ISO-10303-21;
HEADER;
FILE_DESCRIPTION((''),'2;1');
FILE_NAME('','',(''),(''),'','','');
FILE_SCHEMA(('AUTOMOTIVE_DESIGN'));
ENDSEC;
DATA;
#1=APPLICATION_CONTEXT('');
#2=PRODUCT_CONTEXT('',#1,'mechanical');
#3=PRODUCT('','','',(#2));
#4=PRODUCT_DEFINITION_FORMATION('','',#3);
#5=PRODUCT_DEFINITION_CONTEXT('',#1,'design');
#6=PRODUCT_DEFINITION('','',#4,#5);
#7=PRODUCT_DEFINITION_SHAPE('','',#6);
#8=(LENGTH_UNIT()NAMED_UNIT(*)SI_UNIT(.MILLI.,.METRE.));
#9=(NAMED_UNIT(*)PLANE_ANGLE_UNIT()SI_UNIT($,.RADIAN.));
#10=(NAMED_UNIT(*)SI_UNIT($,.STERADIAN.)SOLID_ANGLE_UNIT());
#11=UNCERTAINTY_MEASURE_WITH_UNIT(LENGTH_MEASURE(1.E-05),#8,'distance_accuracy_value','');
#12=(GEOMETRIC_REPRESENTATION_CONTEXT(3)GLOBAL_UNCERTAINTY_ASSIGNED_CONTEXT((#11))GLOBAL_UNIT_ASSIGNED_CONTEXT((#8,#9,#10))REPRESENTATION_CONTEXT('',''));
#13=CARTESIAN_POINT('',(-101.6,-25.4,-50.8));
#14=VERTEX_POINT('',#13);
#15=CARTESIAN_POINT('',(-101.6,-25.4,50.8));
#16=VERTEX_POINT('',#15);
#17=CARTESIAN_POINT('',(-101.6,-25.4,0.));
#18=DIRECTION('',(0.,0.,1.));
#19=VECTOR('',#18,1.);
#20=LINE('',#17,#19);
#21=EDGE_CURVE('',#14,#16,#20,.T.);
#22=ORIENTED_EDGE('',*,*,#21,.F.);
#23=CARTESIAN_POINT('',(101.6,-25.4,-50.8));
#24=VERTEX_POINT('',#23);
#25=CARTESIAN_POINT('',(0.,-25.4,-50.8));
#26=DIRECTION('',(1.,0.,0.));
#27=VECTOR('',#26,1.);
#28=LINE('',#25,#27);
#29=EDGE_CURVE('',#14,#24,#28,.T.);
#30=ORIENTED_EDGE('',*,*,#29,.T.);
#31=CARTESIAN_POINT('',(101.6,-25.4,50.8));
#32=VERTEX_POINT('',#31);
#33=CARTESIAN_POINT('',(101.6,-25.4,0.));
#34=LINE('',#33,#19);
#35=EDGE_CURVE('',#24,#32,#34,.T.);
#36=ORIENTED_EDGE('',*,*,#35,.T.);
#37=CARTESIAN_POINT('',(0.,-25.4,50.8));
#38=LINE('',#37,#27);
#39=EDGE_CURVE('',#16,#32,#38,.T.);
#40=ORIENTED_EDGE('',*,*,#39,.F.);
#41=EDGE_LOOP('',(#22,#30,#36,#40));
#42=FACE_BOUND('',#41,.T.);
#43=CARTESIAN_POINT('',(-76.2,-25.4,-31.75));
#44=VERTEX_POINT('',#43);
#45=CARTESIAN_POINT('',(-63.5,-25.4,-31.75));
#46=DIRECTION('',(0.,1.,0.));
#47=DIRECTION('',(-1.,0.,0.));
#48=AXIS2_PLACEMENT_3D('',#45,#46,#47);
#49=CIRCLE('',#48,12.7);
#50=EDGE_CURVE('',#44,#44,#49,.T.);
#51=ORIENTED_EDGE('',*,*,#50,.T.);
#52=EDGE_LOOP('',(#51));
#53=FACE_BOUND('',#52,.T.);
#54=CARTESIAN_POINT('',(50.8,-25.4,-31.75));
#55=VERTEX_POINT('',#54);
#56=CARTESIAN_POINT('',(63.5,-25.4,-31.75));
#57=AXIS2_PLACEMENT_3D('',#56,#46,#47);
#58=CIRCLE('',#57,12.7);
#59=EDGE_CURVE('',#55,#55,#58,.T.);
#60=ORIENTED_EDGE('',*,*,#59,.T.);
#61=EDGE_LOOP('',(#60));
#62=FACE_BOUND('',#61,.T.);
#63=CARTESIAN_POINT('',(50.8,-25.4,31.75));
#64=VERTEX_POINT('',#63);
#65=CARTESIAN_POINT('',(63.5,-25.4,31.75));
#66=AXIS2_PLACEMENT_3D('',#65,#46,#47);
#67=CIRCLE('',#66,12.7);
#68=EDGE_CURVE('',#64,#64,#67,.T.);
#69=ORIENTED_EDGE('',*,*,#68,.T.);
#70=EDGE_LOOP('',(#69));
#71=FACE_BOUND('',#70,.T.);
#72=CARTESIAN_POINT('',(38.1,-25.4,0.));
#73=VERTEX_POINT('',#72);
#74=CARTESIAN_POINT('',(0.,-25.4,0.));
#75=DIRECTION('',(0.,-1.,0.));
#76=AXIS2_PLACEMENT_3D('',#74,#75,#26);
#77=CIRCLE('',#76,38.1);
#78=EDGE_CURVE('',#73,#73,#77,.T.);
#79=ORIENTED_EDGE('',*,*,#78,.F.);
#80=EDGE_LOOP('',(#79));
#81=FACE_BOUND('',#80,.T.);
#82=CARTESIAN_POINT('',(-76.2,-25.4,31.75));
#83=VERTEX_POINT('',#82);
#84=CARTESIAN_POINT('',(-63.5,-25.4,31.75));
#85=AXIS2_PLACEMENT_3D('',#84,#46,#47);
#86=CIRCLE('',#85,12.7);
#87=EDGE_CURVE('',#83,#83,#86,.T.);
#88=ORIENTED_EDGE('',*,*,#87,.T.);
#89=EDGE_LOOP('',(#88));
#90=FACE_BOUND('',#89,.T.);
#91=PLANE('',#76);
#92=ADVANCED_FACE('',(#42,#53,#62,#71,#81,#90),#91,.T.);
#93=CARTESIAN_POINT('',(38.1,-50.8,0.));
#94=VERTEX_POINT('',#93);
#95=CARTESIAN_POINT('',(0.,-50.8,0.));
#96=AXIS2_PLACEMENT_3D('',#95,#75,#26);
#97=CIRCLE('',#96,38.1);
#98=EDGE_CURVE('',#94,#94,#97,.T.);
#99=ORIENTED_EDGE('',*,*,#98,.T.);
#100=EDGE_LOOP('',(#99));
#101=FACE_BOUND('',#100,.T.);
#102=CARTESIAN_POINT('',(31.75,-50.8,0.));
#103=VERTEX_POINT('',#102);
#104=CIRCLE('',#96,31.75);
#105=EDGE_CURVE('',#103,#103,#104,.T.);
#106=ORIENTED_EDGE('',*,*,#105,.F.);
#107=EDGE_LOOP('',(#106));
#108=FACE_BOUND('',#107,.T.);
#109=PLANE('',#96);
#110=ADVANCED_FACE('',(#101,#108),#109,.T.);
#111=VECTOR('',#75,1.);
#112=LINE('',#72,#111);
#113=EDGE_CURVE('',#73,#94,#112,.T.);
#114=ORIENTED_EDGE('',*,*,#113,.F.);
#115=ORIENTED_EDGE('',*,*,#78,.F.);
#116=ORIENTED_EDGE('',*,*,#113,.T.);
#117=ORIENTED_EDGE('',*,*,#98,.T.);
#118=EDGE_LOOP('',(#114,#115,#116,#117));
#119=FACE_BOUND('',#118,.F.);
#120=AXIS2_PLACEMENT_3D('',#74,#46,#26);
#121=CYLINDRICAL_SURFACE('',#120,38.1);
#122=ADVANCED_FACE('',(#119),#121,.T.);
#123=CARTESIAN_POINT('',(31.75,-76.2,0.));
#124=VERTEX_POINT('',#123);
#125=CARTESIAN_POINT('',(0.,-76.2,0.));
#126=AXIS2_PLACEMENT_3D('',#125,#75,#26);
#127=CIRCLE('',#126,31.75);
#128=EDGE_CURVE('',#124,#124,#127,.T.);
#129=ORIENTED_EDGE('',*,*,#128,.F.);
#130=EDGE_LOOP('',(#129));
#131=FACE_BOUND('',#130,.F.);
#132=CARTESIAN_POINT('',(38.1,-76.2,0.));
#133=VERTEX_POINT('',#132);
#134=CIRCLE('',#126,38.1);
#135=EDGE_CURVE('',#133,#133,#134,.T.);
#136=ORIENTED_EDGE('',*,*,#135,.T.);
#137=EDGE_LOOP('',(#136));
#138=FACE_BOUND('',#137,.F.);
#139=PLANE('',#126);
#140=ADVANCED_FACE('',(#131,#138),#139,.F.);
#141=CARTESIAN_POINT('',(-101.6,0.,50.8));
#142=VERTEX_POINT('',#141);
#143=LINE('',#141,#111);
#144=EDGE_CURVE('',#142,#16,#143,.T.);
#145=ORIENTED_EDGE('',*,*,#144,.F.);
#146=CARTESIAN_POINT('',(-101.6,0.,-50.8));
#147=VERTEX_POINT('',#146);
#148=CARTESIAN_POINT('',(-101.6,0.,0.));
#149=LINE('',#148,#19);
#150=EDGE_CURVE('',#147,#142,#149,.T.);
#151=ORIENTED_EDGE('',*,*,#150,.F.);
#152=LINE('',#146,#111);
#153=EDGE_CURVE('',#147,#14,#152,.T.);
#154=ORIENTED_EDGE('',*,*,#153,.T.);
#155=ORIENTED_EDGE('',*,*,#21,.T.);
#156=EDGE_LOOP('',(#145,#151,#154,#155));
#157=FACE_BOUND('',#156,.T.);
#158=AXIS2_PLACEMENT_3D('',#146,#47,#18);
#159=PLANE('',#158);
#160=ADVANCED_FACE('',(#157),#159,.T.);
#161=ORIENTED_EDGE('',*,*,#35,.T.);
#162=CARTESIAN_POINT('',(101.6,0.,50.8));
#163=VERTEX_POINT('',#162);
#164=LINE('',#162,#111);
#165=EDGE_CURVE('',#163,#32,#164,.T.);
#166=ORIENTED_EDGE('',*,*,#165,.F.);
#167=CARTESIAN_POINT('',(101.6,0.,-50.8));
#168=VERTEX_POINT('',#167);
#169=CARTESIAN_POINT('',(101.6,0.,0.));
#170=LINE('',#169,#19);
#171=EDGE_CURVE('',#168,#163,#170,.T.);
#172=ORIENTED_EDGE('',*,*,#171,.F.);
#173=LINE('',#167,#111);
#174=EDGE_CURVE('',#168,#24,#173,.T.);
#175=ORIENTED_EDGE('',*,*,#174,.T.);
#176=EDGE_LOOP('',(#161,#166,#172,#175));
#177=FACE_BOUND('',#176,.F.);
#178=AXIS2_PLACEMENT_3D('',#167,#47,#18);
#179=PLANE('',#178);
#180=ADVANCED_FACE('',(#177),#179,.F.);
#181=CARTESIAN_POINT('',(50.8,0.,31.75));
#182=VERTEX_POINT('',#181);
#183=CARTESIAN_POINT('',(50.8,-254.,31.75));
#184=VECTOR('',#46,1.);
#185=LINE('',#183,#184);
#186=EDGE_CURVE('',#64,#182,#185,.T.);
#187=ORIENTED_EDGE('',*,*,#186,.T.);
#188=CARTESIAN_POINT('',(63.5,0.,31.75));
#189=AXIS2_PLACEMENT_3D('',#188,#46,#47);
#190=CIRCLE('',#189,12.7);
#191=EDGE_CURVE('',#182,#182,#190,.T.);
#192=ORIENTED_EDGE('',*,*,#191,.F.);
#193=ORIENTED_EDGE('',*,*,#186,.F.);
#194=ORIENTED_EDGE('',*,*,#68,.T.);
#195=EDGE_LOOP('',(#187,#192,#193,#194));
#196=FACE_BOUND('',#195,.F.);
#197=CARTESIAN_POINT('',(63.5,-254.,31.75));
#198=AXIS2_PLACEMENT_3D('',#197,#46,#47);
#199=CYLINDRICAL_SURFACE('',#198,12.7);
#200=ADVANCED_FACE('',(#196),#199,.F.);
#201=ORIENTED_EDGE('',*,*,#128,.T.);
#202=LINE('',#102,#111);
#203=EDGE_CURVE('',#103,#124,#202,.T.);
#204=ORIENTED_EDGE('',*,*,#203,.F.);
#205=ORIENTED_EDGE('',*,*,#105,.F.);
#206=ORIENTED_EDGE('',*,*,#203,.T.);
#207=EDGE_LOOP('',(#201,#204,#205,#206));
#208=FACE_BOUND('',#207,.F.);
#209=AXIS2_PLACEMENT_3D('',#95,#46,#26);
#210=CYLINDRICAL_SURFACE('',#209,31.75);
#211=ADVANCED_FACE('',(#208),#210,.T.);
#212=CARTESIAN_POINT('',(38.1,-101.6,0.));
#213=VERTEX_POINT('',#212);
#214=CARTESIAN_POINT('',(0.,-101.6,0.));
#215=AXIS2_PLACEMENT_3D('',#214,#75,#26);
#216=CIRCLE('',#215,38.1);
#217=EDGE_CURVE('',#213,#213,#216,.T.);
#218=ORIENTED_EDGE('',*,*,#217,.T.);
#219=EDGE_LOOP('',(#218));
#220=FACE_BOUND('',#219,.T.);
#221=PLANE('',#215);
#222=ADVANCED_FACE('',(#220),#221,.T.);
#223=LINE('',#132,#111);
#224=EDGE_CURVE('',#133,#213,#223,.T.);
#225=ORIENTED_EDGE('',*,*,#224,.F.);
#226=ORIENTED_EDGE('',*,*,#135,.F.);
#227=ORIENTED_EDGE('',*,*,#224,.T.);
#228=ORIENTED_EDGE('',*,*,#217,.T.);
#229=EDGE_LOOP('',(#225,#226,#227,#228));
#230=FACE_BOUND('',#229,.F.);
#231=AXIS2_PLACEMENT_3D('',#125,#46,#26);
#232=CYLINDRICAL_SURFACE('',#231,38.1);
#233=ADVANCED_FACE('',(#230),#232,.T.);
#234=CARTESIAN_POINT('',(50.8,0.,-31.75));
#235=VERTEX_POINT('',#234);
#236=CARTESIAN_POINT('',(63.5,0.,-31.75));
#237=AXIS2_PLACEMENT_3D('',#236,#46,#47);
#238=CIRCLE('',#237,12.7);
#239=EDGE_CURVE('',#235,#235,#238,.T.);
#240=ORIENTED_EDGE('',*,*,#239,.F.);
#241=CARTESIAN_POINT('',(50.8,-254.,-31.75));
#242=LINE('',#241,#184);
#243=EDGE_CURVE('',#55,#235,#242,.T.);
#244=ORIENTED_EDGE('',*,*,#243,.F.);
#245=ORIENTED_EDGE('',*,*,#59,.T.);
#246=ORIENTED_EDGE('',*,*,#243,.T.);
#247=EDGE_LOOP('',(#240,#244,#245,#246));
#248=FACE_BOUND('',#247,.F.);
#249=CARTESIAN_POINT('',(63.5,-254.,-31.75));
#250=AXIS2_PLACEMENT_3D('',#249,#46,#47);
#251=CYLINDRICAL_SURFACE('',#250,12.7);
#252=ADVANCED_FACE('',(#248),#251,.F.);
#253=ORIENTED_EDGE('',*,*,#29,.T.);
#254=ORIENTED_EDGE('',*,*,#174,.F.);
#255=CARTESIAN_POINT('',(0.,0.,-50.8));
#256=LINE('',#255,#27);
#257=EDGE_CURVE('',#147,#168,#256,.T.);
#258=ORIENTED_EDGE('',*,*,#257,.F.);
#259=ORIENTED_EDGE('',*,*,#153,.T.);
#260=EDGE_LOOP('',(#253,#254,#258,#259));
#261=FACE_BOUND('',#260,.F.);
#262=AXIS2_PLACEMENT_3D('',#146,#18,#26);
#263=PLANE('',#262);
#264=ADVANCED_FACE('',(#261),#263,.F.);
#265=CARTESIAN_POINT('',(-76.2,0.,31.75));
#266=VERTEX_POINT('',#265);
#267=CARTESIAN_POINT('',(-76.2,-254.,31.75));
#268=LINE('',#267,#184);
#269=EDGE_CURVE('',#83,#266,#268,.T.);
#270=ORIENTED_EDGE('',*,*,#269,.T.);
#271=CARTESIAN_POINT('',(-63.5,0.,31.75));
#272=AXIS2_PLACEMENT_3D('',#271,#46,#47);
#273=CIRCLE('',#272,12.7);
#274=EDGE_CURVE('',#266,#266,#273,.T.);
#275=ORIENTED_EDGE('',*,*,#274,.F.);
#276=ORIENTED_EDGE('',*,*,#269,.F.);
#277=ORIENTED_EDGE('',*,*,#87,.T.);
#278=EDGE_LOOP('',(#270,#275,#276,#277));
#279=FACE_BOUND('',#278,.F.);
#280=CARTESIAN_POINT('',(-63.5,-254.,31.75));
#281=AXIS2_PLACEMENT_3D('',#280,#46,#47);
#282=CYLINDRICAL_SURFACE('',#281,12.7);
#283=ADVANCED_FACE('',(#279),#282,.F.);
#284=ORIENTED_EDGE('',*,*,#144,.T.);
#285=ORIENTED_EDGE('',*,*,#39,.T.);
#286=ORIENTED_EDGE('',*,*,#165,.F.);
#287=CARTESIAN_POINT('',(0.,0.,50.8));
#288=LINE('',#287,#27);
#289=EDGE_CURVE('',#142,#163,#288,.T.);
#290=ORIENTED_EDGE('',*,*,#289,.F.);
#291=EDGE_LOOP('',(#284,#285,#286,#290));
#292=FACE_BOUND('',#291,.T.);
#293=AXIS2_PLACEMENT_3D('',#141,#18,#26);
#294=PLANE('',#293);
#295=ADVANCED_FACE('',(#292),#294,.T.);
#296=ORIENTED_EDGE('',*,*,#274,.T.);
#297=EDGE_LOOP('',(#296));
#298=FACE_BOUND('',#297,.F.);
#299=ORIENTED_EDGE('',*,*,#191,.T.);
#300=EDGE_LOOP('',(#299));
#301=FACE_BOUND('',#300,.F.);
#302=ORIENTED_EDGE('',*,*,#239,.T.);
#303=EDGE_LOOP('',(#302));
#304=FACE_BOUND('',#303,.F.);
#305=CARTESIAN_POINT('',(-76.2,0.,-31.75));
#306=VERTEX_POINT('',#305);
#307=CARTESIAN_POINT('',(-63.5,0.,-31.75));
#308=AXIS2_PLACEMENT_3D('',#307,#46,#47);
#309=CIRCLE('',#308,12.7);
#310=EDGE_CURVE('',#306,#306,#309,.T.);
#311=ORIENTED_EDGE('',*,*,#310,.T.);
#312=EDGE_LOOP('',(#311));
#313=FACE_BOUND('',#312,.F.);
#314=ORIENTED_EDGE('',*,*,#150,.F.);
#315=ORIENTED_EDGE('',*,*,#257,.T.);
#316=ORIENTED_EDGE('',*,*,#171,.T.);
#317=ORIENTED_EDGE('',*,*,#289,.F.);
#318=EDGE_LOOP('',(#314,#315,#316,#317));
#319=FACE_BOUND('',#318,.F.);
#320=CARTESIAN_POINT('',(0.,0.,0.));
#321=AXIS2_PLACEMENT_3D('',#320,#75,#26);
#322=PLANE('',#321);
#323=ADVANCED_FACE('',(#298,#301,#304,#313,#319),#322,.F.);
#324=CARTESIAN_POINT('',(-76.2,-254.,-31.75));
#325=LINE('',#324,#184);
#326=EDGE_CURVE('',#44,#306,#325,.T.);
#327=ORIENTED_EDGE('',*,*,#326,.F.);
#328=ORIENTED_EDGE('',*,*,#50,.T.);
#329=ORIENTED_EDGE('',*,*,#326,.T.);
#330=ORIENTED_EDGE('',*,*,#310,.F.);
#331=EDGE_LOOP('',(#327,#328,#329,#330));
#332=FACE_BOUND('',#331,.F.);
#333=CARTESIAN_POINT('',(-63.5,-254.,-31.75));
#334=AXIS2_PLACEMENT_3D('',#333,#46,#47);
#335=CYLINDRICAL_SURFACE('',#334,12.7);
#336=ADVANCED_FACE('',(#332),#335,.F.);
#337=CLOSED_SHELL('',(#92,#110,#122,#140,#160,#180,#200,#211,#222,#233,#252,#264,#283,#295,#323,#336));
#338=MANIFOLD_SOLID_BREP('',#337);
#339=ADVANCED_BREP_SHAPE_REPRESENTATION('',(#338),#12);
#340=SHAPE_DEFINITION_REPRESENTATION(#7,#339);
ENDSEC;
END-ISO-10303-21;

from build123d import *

# Parameters (mm, degrees)
F0_W     = 203.2
F0_H     = 101.6
F1_DEPTH = 25.4
F3_D     = 25.4
F4_R     = 38.1
F5_DEPTH = 25.4
F6_R     = 31.75
F7_DEPTH = 25.4
F8_R     = 38.1
F9_DEPTH = 25.4


with BuildPart() as f1:
    # F0 (on Front) → F1 (new body)
    with BuildSketch(Plane.XZ):
        Rectangle(F0_W, F0_H)
    extrude(amount=F1_DEPTH)

    # F3 (through all)
    with Locations(Plane.XZ.offset(25.4)):
        with Locations((-63.5, 31.75), (-63.5, -31.75), (63.5, -31.75), (63.5, 31.75)):
            Hole(F3_D / 2)



with BuildPart() as f5:
    # F4 (on face) → F5 (new body)
    with BuildSketch(Plane.XZ.offset(76.2)):
        Circle(F4_R)
    extrude(amount=F5_DEPTH)

    # F6 (on face) → F7 (join)
    with BuildSketch(Plane.XZ.offset(50.8)):
        Circle(F6_R)
    extrude(amount=F7_DEPTH)


with BuildPart() as f1_1:
    add(f1.part)

    add(f5.part)  # F9 merges F5
    # F8 (on face) → F9 (join)
    with BuildSketch(Plane.XZ.offset(25.4)):
        Circle(F8_R)
    extrude(amount=F9_DEPTH)


solid = f1_1.part
